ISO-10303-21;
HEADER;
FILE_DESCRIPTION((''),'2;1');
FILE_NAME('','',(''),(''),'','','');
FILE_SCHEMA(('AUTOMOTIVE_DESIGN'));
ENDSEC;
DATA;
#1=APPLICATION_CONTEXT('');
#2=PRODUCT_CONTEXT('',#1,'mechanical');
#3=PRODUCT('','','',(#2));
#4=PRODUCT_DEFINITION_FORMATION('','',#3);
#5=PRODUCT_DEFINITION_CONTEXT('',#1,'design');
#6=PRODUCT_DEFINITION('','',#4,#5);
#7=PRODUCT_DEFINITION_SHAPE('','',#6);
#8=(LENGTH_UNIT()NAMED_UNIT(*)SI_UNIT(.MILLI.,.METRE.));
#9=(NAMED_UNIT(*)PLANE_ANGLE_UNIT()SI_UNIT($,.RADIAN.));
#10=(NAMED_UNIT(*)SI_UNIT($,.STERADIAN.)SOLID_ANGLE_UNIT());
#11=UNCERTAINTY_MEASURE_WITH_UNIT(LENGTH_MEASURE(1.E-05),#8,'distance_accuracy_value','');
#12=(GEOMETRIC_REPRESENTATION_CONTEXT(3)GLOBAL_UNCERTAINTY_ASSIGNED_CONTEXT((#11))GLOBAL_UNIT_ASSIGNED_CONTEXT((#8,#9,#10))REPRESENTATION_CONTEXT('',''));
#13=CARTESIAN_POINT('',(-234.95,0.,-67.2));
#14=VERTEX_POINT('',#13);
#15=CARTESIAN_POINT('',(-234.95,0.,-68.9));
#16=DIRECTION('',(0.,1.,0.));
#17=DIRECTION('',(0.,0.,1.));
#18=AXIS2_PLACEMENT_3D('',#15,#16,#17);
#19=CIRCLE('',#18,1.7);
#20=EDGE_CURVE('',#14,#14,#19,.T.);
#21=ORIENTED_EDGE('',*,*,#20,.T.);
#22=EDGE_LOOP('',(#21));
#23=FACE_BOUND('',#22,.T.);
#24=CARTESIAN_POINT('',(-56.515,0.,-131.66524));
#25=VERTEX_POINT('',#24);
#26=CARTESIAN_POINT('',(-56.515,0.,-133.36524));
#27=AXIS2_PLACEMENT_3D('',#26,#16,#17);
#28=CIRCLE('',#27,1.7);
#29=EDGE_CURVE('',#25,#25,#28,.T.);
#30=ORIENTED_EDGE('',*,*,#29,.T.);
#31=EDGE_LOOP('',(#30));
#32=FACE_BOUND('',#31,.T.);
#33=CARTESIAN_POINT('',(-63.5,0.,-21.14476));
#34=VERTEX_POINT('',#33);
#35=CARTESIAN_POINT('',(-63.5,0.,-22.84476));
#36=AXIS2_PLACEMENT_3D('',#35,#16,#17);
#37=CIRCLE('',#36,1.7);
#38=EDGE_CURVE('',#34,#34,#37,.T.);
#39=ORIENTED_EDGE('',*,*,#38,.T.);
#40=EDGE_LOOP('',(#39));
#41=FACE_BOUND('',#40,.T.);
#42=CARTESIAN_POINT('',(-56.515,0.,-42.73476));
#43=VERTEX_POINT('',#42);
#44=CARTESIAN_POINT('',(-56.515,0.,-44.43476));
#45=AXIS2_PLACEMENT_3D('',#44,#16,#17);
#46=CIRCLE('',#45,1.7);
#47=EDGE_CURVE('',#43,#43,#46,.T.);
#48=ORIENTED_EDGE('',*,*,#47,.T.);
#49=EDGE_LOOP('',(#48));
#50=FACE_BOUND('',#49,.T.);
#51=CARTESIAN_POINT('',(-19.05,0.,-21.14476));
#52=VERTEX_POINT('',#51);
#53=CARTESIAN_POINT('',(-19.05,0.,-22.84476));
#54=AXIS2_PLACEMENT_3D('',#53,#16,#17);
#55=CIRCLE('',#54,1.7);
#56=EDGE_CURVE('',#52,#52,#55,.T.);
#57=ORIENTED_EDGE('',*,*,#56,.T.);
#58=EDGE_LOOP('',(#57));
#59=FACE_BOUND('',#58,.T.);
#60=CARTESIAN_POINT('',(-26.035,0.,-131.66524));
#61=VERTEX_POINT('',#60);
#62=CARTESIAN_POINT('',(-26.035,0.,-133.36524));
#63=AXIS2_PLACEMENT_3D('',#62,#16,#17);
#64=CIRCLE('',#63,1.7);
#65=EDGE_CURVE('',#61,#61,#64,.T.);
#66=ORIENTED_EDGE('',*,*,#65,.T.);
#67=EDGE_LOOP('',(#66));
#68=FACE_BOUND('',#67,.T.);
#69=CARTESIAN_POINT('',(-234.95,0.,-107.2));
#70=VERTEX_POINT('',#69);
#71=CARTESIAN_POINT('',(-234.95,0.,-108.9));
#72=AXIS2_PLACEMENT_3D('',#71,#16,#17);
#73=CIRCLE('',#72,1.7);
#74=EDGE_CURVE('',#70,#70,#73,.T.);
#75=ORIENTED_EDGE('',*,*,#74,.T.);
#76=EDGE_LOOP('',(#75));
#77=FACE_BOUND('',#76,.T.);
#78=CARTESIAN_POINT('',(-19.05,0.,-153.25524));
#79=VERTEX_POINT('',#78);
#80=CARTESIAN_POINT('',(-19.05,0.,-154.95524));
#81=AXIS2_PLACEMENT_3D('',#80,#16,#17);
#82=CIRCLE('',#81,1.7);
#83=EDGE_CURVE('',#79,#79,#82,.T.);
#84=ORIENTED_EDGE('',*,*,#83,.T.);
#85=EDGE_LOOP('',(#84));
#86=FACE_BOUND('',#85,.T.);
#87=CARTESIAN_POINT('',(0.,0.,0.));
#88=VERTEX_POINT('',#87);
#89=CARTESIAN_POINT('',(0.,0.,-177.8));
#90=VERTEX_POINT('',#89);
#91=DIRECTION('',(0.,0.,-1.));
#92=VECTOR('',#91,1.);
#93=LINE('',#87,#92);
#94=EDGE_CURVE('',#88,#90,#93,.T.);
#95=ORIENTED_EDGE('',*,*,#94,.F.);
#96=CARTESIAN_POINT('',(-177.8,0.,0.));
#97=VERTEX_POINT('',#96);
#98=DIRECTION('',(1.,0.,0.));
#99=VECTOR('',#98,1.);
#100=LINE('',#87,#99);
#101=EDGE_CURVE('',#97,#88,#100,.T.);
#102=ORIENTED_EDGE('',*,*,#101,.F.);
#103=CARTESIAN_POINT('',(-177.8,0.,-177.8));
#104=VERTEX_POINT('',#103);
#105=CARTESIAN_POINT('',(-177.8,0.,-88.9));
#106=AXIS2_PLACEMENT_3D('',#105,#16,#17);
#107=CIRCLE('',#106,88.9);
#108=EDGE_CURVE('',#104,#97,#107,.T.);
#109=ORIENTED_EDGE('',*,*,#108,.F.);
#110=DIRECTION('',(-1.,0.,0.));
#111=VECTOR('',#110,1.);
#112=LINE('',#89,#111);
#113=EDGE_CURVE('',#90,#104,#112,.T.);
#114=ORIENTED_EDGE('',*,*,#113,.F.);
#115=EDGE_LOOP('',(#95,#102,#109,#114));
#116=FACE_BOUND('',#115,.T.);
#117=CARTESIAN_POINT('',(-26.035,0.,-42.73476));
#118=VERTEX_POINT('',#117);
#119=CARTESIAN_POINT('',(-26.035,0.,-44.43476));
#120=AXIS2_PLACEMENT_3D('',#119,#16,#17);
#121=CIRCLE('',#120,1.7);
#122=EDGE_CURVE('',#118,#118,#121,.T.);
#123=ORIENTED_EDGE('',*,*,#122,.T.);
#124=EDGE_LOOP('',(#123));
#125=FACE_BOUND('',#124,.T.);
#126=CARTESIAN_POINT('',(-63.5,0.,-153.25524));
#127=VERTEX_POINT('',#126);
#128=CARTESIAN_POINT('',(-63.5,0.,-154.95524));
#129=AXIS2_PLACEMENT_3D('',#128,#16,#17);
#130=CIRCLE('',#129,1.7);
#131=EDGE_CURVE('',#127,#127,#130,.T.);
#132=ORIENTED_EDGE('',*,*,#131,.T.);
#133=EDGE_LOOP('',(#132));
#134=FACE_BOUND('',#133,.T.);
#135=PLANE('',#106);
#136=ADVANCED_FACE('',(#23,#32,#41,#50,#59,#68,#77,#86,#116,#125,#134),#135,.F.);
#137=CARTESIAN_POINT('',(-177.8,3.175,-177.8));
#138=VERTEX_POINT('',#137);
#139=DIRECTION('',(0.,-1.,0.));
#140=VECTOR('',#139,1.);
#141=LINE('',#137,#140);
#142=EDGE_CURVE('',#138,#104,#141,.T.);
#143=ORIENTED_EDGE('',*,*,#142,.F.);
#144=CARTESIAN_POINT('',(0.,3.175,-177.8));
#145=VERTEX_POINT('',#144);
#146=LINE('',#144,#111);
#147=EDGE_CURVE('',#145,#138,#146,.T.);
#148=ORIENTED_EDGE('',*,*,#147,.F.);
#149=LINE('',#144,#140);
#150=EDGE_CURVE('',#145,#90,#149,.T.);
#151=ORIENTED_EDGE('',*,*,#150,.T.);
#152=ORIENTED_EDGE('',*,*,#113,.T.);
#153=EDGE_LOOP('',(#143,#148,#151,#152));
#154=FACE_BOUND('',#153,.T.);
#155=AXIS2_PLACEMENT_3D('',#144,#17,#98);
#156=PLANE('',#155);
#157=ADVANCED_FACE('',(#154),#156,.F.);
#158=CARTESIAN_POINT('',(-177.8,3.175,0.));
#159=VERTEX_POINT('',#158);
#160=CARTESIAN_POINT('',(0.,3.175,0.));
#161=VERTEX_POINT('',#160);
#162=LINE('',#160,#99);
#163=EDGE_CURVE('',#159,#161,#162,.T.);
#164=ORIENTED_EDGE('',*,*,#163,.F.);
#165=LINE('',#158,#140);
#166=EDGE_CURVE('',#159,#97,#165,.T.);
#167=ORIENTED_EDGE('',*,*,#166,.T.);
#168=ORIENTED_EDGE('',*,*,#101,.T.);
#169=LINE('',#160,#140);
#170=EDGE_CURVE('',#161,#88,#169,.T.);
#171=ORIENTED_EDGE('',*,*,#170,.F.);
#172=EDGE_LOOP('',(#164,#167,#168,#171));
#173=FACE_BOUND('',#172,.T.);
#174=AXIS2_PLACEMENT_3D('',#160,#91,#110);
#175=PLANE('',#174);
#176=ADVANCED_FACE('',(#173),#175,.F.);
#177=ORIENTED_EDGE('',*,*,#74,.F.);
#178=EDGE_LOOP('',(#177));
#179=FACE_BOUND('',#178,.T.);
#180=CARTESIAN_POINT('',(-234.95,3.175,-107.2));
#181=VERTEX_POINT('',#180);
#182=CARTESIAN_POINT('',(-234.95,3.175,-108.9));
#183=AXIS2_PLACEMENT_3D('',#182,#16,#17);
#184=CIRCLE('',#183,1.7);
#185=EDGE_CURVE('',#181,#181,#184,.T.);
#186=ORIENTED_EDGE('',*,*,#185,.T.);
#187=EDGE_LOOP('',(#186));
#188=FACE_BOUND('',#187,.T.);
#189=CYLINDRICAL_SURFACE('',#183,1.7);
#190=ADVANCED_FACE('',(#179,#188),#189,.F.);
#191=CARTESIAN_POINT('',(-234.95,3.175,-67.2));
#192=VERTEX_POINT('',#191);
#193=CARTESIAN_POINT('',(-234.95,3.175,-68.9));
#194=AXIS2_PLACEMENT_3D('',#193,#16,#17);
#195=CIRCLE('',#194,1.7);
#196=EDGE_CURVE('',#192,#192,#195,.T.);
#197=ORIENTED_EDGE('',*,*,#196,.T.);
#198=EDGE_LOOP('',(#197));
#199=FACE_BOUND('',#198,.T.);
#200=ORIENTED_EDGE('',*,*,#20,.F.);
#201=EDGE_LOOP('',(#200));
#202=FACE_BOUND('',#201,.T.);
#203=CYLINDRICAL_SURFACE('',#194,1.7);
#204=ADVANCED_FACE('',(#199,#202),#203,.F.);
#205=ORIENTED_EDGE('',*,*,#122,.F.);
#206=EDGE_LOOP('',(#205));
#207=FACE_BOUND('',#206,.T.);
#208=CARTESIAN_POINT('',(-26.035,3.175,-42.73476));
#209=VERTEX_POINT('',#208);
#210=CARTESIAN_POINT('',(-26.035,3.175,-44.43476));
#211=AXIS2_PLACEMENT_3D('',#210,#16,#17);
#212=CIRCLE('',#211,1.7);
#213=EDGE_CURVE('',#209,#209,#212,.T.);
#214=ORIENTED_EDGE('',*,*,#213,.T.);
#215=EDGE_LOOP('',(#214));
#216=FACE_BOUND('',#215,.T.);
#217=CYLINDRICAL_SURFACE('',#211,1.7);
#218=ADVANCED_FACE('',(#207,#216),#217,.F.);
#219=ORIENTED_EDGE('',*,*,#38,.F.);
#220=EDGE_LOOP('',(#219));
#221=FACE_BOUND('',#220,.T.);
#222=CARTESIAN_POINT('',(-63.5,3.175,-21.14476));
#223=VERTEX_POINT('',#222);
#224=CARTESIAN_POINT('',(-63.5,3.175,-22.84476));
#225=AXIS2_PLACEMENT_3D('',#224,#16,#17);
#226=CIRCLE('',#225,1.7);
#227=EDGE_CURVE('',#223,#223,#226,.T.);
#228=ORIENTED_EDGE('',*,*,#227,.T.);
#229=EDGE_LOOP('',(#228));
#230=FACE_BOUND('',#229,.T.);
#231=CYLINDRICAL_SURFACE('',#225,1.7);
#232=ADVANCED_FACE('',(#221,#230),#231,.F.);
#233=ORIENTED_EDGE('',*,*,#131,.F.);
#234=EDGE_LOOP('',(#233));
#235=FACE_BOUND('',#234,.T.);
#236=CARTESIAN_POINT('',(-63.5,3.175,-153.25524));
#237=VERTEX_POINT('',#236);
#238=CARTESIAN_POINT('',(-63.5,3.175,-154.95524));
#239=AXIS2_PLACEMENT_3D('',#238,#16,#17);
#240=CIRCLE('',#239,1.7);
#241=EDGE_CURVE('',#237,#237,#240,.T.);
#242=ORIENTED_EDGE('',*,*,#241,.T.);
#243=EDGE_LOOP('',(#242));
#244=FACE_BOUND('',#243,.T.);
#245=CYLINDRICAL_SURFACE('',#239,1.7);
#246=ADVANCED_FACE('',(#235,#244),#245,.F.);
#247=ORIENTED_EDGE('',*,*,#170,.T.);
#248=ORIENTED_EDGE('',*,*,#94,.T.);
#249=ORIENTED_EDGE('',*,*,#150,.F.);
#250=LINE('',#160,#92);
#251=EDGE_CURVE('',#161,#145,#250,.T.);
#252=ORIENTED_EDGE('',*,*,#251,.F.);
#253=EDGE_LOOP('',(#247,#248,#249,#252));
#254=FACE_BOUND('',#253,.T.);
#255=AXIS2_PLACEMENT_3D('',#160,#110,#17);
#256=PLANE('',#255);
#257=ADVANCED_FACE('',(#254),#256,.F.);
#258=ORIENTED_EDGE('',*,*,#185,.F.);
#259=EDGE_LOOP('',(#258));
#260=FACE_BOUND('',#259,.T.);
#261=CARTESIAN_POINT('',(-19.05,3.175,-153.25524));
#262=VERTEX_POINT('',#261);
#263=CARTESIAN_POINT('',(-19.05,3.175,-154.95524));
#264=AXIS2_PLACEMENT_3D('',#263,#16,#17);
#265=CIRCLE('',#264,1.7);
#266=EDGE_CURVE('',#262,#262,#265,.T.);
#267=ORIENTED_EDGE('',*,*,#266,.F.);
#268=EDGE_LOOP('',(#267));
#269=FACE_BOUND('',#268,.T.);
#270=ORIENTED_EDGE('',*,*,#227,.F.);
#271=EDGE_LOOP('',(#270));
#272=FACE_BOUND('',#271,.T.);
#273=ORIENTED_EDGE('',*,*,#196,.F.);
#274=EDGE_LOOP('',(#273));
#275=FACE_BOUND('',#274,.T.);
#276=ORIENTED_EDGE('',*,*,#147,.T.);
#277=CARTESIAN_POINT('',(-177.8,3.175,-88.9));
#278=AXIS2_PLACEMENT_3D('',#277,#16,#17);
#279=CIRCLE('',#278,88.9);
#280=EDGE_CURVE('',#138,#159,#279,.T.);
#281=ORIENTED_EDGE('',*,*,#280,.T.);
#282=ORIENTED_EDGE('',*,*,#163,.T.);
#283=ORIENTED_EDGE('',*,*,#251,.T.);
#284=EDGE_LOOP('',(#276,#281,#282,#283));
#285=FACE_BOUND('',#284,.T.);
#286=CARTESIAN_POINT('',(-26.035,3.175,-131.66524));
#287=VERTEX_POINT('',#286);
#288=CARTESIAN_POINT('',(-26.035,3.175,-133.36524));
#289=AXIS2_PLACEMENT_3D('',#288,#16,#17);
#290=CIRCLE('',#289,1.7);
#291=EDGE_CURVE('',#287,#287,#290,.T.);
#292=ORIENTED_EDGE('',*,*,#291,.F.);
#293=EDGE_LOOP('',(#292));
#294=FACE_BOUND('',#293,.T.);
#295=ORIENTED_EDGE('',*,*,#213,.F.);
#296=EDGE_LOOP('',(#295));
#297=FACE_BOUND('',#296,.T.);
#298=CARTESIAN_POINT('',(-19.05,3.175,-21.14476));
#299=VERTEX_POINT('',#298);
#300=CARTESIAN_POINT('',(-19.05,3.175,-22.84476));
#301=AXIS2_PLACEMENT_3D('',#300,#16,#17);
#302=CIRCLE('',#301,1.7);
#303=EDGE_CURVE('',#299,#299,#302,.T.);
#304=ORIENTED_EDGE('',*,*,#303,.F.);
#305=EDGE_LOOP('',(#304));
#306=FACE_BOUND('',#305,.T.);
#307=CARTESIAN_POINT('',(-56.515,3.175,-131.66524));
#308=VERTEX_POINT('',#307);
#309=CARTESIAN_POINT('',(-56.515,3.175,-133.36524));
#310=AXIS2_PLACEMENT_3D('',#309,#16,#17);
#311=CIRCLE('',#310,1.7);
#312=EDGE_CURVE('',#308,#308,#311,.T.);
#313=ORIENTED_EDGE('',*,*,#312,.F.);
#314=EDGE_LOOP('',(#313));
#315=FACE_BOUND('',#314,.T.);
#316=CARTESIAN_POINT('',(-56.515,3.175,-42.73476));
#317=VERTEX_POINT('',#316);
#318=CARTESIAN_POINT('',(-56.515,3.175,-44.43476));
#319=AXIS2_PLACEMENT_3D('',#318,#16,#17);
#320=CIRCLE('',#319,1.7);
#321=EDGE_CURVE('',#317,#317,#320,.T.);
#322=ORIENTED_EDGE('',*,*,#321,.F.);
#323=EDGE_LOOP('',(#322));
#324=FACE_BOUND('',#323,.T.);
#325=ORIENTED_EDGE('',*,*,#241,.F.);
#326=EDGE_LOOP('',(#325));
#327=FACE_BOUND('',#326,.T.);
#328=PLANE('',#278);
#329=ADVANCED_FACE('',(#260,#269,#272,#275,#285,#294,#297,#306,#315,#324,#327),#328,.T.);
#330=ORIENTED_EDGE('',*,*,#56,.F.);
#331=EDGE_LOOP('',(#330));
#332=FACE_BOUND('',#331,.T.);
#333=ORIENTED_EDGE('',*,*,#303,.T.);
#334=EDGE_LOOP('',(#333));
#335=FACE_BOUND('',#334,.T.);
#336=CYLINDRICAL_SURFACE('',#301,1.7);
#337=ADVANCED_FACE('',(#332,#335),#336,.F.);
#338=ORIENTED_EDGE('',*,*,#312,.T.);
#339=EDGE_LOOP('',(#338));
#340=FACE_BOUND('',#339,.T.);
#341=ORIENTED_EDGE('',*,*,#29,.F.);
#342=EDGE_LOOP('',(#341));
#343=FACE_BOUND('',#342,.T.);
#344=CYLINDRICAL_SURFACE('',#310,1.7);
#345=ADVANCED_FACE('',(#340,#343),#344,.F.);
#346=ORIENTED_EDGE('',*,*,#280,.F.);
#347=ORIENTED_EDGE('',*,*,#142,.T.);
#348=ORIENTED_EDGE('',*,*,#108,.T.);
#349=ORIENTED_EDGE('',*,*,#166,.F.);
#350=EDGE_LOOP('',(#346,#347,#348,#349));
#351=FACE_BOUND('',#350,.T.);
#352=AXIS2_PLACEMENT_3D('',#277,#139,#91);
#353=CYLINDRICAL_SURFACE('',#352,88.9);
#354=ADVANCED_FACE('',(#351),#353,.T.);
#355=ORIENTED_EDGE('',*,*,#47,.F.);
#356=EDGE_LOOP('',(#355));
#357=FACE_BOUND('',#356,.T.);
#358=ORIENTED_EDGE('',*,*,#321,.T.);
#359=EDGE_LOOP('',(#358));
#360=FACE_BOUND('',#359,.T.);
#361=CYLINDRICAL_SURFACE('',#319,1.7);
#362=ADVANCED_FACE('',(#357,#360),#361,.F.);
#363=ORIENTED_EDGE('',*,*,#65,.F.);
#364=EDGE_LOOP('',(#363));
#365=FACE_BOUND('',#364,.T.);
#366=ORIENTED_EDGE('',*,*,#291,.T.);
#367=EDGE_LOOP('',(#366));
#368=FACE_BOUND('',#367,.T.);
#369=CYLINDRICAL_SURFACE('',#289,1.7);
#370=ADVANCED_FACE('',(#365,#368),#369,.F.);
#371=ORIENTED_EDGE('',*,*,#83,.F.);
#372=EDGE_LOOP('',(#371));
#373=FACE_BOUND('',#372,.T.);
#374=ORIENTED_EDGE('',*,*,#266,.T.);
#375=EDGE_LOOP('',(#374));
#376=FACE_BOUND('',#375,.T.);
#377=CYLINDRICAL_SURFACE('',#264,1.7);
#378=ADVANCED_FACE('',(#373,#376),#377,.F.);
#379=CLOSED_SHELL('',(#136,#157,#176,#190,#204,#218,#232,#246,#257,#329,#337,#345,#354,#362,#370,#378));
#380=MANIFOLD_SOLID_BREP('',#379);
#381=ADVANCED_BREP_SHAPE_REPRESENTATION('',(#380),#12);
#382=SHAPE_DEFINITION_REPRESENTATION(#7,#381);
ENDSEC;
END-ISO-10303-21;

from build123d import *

# Parameters (mm, degrees)
BOSS_EXTRUDE1_DEPTH  = 3.175
M3_CLEARANCE_HOLE1_D = 3.4


with BuildPart() as part:
    # Sketch2 → Boss-Extrude1 (new body)
    with BuildSketch(Plane(origin=(0, 0, 0), x_dir=(1, 0, 0), z_dir=(0, 1, 0))):
        with BuildLine():
            Line((0, 0), (0, 177.8))
            Line((0, 177.8), (-177.8, 177.8))
            ThreePointArc((-177.8, 177.8), (-266.7, 88.9), (-177.8, 0))
            Line((-177.8, 0), (0, 0))
        make_face()
    extrude(amount=BOSS_EXTRUDE1_DEPTH)

    # M3 Clearance Hole1 (through all)
    with Locations(Plane(origin=(0, 3.175, 0), x_dir=(1, 0, 0), z_dir=(0, 1, 0))):
        with Locations((-63.5, 154.95524), (-19.05, 154.95524), (-56.515, 133.36524), (-26.035, 133.36524), (-56.515, 44.43476), (-26.035, 44.43476), (-63.5, 22.84476), (-19.05, 22.84476), (-234.95, 108.9), (-234.95, 68.9)):
            Hole(M3_CLEARANCE_HOLE1_D / 2)


solid = part.part
